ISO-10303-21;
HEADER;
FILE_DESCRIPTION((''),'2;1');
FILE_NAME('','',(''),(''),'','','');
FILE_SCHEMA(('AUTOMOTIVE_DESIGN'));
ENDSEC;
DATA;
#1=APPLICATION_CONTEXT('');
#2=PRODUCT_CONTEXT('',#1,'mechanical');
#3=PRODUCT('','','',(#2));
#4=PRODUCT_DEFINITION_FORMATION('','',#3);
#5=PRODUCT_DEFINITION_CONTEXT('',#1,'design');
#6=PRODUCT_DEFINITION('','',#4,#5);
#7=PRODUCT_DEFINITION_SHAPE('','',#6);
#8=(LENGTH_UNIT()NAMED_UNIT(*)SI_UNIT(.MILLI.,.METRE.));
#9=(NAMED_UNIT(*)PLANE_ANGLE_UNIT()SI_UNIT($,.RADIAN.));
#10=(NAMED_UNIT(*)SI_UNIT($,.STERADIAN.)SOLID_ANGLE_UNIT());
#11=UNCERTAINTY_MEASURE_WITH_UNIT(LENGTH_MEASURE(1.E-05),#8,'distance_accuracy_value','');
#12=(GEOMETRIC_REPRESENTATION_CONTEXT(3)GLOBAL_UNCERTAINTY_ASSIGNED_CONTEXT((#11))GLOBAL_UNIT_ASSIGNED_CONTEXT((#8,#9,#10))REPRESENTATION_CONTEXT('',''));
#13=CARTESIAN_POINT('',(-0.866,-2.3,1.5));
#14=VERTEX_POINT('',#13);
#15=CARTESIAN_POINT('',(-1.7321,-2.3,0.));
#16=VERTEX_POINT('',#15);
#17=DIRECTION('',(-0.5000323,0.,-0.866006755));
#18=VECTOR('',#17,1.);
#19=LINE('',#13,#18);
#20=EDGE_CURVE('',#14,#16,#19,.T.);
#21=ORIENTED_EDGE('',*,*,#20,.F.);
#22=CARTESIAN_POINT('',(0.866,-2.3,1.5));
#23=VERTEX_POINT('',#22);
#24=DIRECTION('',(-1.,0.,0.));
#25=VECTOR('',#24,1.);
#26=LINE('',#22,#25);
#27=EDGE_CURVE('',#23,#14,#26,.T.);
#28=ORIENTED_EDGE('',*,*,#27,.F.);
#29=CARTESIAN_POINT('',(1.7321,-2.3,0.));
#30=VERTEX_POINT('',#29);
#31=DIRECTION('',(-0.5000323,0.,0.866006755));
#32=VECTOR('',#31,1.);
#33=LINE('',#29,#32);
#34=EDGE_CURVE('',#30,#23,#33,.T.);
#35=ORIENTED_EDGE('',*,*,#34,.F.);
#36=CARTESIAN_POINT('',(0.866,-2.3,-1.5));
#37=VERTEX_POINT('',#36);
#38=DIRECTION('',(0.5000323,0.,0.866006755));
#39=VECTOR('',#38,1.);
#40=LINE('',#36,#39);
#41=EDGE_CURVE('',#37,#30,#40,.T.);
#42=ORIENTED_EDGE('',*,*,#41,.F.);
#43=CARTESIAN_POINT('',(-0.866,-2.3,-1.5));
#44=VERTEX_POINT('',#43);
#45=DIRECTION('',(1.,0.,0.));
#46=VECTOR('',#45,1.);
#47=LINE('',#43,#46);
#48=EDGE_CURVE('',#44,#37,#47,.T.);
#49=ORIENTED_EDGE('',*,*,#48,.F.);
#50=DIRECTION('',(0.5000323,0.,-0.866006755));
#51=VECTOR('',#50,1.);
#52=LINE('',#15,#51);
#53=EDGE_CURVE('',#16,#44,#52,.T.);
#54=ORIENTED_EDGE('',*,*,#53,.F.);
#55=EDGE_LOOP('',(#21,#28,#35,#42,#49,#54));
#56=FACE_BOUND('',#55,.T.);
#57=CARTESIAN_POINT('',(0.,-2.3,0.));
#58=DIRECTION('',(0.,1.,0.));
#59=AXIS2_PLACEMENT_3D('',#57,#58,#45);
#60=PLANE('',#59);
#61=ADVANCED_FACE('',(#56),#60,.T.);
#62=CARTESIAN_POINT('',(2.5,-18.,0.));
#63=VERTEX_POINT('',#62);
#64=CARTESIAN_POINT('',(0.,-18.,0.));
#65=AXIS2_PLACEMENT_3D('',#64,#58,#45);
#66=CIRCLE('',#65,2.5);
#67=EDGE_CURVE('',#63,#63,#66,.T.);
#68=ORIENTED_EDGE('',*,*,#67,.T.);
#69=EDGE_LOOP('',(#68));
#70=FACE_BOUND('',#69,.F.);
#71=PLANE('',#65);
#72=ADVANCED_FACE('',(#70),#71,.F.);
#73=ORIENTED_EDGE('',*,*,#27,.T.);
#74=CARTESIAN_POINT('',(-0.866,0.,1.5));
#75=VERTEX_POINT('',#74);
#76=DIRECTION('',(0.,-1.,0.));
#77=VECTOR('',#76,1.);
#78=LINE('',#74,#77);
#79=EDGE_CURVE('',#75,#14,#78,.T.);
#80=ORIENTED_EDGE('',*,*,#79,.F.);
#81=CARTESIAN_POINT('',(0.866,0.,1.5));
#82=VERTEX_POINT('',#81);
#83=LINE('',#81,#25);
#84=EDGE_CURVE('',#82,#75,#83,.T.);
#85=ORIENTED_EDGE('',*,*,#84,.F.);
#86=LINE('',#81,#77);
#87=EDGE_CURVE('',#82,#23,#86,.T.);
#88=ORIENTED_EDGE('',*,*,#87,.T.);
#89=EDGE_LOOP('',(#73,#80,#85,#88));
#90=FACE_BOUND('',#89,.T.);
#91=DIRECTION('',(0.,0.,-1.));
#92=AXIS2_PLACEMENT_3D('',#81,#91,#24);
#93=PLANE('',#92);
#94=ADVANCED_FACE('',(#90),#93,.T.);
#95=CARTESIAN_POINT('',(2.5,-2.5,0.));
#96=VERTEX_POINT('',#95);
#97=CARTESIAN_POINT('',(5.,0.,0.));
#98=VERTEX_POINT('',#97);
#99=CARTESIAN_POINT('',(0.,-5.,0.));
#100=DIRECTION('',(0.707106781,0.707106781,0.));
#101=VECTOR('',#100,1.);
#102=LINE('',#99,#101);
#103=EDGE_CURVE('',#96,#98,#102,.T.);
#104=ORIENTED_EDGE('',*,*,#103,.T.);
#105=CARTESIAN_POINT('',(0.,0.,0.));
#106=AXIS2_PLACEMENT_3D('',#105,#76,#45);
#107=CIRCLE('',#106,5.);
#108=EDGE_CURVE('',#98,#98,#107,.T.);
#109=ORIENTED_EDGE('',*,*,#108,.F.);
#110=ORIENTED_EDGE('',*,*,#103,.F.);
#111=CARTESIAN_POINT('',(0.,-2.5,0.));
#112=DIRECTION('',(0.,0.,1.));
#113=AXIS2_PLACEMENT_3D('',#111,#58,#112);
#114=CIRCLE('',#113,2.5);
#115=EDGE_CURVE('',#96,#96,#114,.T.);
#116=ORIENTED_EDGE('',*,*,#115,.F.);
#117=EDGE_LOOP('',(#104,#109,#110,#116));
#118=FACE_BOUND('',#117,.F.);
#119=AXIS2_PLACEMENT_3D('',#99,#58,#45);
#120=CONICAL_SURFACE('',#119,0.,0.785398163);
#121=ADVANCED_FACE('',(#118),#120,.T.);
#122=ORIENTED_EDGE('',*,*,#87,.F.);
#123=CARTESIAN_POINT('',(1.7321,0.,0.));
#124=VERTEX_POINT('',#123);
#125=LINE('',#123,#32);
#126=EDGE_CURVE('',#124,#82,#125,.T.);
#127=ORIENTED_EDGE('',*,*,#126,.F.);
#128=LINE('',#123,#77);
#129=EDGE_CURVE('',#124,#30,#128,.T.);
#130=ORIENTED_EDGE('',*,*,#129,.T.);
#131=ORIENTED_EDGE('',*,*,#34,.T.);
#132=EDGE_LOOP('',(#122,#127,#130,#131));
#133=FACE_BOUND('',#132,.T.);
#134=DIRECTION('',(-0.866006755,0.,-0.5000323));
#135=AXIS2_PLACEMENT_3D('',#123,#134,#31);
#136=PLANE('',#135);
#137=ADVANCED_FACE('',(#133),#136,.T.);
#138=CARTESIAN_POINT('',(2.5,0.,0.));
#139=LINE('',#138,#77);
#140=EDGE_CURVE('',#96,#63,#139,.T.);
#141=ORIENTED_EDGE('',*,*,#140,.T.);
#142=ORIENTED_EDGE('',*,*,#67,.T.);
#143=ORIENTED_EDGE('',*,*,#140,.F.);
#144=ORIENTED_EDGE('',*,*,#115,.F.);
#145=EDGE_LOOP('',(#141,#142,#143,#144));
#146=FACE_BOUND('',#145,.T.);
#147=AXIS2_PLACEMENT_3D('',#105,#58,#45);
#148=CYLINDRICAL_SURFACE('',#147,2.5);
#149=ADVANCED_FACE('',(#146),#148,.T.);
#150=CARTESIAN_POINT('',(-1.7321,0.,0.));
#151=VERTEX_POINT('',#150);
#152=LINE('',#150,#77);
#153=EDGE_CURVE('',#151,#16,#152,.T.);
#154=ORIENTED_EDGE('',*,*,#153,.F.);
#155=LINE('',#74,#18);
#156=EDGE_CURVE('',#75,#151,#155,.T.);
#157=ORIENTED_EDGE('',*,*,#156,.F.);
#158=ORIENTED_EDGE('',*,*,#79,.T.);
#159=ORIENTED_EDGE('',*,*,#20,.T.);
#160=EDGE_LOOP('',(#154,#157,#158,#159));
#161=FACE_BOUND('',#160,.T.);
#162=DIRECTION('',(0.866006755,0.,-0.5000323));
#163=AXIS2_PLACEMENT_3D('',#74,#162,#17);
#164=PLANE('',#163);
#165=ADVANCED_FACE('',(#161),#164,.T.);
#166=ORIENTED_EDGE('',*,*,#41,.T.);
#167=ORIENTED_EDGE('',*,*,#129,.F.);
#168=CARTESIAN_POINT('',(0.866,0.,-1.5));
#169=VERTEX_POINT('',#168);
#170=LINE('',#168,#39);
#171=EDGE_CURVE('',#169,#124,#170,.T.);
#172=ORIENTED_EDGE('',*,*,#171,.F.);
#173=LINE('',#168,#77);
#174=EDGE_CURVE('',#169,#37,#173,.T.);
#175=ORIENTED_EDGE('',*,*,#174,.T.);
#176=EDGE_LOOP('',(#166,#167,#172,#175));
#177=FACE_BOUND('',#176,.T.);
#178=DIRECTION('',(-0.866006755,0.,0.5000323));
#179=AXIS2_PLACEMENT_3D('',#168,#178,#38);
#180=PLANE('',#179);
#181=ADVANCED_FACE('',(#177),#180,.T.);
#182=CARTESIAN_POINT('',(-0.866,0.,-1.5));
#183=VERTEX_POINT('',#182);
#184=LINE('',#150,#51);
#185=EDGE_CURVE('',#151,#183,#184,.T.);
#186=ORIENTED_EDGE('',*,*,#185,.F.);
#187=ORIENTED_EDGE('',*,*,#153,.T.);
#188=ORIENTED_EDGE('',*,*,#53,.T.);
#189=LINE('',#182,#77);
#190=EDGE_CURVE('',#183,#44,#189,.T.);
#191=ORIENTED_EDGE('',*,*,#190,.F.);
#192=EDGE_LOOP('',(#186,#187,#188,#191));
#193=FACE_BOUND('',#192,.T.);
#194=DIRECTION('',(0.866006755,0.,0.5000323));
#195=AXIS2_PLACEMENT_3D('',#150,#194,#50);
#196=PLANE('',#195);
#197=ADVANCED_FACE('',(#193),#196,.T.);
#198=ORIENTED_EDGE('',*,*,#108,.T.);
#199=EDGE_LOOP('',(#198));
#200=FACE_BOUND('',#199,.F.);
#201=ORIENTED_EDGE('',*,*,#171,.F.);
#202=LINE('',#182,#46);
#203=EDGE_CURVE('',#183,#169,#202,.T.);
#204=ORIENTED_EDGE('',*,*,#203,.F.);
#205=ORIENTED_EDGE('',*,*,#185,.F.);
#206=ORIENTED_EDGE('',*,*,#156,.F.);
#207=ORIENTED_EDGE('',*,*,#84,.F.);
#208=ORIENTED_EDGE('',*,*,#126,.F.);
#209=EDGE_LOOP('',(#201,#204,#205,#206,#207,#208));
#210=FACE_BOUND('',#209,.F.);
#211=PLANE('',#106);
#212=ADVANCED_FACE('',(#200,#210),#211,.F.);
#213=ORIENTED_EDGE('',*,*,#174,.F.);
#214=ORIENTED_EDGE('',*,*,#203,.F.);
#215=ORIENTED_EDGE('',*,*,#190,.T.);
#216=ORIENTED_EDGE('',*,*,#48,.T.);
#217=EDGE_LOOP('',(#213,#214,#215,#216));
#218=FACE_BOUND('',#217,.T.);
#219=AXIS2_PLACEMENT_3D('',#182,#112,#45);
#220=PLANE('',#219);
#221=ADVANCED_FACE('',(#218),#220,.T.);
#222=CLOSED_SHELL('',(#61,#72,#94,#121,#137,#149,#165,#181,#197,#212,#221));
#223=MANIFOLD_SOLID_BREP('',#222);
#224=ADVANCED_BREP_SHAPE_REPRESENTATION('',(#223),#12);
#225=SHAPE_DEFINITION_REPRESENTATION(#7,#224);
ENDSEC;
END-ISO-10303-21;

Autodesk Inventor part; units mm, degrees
ref_plane "YZ Plane" through (0, 0, 0) normal (1, 0, 0) x (0, 1, 0)
ref_plane "XZ Plane" through (0, 0, 0) normal (0, 1, 0) x (-1, 0, 0)
ref_plane "XY Plane" through (0, 0, 0) normal (0, 0, 1) x (1, 0, 0)
sketch "Head Revolution Profile" plane through (0, 0, 0) normal (0, 0, 1) x (1, 0, 0)
  line L0 (0, -5) -> (5, 0)
  line L1 (5, 0) -> (0, 0)
  line L2 (0, 0) -> (0, -5)
  dimension "d0" = 0
  dimension "d1" = 45
  dimension "d2" = 5
  dimension "d3" = 0
revolve "Head" add sketch "Head Revolution Profile" angle 360 about axis through (0, 0, 0) along (0, -1, 0)
sketch "Body Cross Section" plane through (0, 0, 0) normal (0, 1, 0) x (1, 0, 0)
  circle A0 centre (0, 0) radius 2.5
  point P0 (0, 0)
  dimension "d5" = 5
extrude "Body" add sketch "Body Cross Section" against normal blind 18
thread "Thread" size "M5x0.8" class "6g" standard "ANSI Metric M Profile" full length
sketch "Key Socket Cutout Outline" plane through (0, 0, 0) normal (0, 1, 0) x (1, 0, 0)
  line L0 (0.866, 1.5) -> (1.7321, 0)
  line L1 (1.7321, 0) -> (0.866, -1.5)
  line L2 (0.866, -1.5) -> (-0.866, -1.5)
  line L3 (-0.866, -1.5) -> (-1.7321, 0)
  line L4 (-1.7321, 0) -> (-0.866, 1.5)
  line L5 (-0.866, 1.5) -> (0.866, 1.5)
  point P0 (0, 0)
  point P1 (0, 0)
  dimension "d10" = 3
extrude "Key Socket Cutout" cut sketch "Key Socket Cutout Outline" against normal blind 2.3
properties part number "SSK-M5-18-A4" material "Stainless Steel AISI 317"
